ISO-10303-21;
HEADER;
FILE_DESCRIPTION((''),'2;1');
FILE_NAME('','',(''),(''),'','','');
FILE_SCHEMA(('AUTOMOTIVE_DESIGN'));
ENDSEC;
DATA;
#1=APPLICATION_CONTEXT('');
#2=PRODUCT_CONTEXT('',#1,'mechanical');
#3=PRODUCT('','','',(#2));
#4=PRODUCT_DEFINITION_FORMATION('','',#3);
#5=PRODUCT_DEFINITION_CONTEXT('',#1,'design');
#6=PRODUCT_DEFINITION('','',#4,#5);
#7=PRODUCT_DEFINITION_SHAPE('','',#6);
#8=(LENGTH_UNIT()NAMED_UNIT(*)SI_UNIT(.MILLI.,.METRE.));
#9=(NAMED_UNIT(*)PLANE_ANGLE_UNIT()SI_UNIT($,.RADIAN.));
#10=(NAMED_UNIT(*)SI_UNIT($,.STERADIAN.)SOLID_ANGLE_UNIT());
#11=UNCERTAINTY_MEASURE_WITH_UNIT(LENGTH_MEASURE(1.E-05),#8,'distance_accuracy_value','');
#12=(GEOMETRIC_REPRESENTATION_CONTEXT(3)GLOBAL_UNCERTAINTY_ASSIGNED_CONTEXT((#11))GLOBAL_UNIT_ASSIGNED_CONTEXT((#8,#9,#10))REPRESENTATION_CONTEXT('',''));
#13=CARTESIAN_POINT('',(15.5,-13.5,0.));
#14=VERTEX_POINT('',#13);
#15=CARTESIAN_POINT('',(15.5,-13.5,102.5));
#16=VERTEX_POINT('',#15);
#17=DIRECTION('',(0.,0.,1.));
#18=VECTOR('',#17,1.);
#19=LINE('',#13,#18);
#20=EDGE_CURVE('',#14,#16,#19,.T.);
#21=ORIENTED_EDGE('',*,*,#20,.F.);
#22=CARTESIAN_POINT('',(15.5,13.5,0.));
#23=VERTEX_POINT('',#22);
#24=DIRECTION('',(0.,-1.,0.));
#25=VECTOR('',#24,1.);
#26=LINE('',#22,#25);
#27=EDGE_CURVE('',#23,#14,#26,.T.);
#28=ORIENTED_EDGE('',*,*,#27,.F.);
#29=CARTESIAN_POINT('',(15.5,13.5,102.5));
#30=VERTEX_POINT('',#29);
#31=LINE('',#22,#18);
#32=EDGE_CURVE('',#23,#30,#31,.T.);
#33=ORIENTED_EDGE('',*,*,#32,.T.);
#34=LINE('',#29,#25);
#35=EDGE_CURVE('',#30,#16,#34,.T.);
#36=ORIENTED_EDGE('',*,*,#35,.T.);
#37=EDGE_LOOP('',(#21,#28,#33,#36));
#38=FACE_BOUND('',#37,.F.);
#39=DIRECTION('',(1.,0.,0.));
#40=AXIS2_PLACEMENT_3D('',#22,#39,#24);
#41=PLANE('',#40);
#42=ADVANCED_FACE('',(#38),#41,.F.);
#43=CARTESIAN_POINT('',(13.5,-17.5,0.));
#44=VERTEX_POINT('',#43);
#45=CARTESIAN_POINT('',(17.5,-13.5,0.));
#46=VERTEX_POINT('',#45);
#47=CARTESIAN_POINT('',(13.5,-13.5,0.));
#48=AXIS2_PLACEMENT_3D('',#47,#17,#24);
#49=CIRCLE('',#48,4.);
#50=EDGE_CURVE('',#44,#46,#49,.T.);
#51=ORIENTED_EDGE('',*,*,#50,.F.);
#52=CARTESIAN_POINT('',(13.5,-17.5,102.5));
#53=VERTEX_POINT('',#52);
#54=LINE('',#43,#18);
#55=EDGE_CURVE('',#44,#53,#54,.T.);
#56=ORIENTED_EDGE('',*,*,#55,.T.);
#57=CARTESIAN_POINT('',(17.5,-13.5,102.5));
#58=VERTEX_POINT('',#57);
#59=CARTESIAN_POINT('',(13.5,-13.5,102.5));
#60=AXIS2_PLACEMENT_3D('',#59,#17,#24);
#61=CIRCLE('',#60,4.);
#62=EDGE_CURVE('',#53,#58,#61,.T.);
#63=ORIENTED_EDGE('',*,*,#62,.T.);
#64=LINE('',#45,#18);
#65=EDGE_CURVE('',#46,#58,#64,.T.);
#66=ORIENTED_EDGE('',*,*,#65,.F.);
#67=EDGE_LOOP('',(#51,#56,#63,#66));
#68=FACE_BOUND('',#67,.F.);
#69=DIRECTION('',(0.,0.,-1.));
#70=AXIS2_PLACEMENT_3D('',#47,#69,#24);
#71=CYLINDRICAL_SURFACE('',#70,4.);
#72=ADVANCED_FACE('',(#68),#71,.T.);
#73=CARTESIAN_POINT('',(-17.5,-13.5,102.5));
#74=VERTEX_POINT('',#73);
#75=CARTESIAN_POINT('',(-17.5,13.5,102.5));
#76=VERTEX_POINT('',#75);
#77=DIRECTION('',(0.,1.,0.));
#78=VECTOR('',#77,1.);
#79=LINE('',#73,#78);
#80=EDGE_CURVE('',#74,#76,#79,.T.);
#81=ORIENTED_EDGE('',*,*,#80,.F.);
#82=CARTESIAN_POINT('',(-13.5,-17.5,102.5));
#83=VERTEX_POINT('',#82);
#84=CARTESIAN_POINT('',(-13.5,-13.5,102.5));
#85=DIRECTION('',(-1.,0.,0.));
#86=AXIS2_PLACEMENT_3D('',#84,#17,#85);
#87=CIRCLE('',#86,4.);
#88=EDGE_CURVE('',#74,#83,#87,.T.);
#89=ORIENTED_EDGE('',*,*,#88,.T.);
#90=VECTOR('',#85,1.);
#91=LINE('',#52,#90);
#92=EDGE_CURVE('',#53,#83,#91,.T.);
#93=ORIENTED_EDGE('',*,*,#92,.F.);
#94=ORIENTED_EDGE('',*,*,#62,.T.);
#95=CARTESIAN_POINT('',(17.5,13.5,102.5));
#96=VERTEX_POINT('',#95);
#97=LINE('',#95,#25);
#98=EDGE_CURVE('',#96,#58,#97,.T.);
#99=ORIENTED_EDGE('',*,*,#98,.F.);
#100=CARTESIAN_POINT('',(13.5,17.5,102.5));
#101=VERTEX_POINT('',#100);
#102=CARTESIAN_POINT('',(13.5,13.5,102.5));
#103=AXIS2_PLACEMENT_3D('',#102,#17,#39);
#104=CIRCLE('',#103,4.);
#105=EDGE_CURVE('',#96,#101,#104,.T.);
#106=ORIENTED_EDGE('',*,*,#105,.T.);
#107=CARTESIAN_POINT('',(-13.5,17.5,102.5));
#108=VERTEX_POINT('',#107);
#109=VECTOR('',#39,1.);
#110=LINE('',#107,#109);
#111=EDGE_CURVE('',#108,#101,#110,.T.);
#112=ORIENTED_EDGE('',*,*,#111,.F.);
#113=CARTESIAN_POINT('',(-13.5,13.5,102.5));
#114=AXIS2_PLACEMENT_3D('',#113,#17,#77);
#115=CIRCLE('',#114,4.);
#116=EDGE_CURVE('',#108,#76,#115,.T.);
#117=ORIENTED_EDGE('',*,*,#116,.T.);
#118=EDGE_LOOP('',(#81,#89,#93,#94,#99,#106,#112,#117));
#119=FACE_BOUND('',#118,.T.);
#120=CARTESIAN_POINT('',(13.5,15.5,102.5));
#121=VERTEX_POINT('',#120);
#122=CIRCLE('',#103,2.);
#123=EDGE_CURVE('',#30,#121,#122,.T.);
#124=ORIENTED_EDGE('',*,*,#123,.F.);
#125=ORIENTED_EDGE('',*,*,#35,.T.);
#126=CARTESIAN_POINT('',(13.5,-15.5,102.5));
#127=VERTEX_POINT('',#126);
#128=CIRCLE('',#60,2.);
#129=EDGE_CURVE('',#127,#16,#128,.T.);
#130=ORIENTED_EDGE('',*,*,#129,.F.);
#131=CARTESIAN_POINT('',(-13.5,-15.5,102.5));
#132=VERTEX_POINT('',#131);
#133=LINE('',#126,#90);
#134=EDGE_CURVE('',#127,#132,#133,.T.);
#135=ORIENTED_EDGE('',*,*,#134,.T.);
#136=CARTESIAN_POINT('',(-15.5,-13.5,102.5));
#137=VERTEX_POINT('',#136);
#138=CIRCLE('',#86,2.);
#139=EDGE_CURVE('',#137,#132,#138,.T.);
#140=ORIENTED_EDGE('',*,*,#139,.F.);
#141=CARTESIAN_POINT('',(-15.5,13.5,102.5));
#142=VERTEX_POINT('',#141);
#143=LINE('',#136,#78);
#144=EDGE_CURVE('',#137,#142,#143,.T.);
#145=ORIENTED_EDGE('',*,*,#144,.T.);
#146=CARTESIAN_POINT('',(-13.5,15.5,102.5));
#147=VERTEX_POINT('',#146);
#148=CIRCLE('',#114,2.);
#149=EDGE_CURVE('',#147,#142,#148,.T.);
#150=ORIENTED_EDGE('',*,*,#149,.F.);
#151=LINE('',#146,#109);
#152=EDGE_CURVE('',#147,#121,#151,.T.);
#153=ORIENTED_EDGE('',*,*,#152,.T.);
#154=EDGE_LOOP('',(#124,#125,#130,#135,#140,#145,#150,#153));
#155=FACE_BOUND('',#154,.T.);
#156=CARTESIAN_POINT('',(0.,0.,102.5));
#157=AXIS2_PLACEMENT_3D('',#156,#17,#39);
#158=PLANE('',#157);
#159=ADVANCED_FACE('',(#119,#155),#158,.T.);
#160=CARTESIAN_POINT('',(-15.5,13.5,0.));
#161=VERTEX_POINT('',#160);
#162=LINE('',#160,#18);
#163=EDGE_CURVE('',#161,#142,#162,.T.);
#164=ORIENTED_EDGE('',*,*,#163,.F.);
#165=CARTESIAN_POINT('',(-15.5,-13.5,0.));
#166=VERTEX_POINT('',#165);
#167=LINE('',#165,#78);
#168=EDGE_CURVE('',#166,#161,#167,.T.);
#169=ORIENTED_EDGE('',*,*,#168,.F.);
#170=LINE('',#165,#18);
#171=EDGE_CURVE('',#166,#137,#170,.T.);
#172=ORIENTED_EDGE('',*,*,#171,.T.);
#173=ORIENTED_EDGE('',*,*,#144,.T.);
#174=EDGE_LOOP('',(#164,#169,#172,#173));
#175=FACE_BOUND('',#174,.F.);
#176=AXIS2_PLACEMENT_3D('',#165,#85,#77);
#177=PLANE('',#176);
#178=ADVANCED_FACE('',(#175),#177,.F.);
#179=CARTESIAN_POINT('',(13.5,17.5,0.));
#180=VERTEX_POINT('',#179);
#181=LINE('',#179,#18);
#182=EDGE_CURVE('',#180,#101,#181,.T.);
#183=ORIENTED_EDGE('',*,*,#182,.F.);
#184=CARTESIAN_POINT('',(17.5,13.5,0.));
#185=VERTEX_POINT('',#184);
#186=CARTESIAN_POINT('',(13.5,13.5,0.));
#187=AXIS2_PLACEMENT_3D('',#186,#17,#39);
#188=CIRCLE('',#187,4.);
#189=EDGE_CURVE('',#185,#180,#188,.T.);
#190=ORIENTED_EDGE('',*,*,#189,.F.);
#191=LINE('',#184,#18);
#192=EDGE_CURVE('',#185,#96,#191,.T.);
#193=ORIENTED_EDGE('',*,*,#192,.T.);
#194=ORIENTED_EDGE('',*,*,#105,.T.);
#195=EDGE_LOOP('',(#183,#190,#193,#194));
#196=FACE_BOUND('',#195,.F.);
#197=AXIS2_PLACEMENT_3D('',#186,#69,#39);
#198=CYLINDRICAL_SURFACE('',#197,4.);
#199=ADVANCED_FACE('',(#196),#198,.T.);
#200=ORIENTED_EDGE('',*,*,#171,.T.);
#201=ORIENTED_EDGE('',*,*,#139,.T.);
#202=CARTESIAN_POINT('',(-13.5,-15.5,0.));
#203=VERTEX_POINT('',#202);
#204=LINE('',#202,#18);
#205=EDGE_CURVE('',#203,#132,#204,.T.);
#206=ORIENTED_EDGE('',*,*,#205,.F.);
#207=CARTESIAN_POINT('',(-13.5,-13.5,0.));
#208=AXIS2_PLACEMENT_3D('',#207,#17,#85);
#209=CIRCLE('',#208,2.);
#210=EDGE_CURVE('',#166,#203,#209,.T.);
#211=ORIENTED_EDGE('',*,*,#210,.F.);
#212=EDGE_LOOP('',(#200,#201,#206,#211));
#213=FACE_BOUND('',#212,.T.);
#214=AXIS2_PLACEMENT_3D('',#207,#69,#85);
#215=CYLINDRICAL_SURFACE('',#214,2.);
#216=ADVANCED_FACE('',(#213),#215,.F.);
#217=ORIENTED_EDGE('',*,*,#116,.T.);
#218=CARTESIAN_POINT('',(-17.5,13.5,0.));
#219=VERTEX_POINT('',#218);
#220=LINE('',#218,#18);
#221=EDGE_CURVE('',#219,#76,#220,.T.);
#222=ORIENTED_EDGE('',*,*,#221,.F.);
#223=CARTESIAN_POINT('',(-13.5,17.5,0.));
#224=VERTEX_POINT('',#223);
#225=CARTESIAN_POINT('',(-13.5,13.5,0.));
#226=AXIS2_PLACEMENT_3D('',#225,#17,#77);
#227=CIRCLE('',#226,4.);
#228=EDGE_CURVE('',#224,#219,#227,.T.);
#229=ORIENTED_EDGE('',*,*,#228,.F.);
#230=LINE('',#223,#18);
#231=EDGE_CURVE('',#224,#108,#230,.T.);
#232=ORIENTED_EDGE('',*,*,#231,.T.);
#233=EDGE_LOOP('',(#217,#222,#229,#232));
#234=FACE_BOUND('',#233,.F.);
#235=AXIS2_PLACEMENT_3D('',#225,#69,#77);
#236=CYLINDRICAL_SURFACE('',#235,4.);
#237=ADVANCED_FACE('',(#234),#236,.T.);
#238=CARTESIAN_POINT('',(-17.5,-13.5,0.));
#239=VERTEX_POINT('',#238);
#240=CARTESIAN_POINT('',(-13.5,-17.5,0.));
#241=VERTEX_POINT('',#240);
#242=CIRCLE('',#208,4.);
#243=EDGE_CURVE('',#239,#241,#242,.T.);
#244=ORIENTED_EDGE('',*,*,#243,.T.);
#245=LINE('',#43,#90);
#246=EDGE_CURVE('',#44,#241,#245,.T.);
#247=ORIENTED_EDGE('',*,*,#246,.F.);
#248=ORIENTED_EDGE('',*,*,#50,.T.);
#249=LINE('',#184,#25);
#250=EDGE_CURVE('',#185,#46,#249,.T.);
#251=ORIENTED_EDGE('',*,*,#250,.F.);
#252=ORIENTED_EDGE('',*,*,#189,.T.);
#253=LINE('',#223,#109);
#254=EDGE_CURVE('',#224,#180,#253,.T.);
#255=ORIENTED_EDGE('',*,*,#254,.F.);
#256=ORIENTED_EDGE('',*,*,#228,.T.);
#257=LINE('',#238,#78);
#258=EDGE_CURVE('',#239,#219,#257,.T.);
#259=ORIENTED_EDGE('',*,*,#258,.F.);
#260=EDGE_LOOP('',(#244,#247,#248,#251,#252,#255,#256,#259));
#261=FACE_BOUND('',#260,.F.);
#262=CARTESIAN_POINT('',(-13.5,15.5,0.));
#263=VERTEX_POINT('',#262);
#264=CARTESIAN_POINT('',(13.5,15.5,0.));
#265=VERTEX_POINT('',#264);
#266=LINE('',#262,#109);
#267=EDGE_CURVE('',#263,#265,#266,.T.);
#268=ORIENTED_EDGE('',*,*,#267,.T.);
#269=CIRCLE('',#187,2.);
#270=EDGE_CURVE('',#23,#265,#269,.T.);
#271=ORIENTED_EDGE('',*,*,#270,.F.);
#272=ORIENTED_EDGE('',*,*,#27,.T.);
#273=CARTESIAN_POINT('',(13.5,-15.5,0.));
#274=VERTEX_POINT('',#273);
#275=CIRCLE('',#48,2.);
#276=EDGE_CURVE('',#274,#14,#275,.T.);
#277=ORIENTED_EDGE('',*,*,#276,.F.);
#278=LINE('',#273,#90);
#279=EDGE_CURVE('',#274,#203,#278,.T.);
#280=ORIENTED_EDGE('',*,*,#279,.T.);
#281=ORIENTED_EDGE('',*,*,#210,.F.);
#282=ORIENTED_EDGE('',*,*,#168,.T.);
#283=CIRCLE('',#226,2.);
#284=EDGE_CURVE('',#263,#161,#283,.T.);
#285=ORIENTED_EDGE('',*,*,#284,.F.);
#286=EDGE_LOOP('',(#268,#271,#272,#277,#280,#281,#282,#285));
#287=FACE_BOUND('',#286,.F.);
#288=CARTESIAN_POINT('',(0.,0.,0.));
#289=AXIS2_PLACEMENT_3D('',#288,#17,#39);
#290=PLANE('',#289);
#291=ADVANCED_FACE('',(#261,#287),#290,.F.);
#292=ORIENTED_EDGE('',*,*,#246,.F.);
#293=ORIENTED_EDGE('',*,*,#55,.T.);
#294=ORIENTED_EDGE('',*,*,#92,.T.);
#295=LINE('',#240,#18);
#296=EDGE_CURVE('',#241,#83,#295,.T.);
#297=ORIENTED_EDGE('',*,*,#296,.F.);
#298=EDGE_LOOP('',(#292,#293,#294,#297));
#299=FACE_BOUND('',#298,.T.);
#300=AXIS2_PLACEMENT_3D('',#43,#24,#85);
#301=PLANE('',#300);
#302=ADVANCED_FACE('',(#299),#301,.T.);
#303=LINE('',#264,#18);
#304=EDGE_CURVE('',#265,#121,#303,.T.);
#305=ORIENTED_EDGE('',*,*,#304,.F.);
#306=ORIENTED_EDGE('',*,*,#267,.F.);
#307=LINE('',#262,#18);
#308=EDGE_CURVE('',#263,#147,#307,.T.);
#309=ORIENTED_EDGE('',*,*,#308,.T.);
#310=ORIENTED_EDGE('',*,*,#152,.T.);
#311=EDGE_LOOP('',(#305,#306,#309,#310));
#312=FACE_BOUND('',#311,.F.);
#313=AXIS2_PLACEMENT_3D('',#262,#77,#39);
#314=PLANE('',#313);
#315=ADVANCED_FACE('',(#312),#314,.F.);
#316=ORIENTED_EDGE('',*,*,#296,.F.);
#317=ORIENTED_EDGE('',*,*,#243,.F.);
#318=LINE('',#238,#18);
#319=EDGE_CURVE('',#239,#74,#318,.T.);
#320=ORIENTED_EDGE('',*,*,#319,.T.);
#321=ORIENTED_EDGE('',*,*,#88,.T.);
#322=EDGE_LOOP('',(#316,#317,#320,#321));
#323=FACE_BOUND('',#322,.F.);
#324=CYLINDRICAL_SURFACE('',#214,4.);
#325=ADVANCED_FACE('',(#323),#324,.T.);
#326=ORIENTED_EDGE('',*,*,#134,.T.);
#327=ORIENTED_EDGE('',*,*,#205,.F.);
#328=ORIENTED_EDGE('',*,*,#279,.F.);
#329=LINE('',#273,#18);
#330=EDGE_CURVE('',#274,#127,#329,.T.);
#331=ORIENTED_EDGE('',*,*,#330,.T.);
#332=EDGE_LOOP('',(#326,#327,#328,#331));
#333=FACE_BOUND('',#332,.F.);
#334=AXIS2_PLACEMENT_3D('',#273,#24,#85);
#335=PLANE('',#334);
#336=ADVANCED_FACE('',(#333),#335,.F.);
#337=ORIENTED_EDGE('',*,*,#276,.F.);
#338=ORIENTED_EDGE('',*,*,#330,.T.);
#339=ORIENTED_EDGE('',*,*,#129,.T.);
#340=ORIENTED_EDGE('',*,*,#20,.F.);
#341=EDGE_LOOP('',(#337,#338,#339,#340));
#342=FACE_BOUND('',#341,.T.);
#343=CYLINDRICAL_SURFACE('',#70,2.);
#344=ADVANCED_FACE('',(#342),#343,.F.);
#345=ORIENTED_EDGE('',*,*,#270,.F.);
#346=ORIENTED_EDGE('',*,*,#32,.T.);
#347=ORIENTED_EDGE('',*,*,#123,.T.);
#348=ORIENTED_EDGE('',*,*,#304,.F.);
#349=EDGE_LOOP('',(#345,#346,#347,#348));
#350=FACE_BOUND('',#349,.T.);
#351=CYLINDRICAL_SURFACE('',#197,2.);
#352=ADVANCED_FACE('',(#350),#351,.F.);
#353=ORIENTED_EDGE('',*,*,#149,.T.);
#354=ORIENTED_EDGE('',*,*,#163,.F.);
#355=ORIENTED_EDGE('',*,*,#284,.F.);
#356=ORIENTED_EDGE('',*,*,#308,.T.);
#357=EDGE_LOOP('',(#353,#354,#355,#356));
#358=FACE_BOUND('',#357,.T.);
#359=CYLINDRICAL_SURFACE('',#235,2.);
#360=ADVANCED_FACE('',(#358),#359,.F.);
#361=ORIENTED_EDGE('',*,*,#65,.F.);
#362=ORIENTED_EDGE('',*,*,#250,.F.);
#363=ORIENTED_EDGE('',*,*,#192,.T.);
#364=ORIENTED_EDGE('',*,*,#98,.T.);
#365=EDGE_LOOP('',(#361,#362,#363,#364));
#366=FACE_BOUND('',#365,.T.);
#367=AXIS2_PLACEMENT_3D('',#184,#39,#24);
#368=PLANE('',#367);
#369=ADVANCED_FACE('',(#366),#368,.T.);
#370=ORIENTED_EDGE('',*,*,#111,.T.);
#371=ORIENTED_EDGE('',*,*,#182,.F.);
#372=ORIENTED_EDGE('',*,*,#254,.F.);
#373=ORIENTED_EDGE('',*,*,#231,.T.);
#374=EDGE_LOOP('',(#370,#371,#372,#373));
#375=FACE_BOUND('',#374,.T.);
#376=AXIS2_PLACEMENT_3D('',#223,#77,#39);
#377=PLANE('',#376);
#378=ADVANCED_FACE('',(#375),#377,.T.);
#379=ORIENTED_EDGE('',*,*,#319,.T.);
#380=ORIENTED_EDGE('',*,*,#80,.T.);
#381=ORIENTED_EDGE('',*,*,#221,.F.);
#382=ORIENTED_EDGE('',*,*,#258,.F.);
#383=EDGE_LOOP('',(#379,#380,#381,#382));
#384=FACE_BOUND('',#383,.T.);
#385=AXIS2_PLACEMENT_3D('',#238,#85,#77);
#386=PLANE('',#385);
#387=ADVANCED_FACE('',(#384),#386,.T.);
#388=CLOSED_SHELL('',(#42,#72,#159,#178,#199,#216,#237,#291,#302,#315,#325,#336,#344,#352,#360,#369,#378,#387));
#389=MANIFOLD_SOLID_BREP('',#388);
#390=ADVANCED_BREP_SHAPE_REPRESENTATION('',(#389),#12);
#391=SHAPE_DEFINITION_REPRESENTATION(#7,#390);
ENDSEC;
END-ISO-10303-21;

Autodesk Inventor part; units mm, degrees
ref_plane "Start plane" through (0, 0, 0) normal (0, 0, 1) x (1, 0, 0)
ref_plane "End plane" through (0, 0, 102.5) normal (0, 0, 1) x (1, 0, 0)
sketch "Sketch" plane through (0, 0, 0) normal (0, 0, 1) x (1, 0, 0)
  line L0 (-17.5, -13.5) -> (-17.5, 13.5)
  line L1 (-13.5, 17.5) -> (13.5, 17.5)
  line L2 (17.5, 13.5) -> (17.5, -13.5)
  line L3 (13.5, -17.5) -> (-13.5, -17.5)
  arc A0 (-17.5, -13.5) -> (-13.5, -17.5) centre (-13.5, -13.5) ccw
  arc A1 (-13.5, 17.5) -> (-17.5, 13.5) centre (-13.5, 13.5) ccw
  arc A2 (17.5, 13.5) -> (13.5, 17.5) centre (13.5, 13.5) ccw
  arc A3 (13.5, -17.5) -> (17.5, -13.5) centre (13.5, -13.5) ccw
  arc A4 (-13.5, 15.5) -> (-15.5, 13.5) centre (-13.5, 13.5) ccw
  line L4 (-13.5, 15.5) -> (13.5, 15.5)
  arc A5 (15.5, 13.5) -> (13.5, 15.5) centre (13.5, 13.5) ccw
  line L5 (15.5, 13.5) -> (15.5, -13.5)
  arc A6 (13.5, -15.5) -> (15.5, -13.5) centre (13.5, -13.5) ccw
  line L6 (13.5, -15.5) -> (-13.5, -15.5)
  arc A7 (-15.5, -13.5) -> (-13.5, -15.5) centre (-13.5, -13.5) ccw
  line L7 (-15.5, -13.5) -> (-15.5, 13.5)
  line L8 (0, 25.6598) -> (0, -25.6598) construction
  line L9 (-25.6598, 0) -> (25.6598, 0) construction
  dimension "d7" = 4
  dimension "d10" = 35
  dimension "d11" = 35
  dimension "d12" = 2
  dimension "d15" = 17.5
  dimension "d16" = 17.5
extrude "Body" add sketch "Sketch" along normal up to surface (102.5 mm away) from surface at 0
sketch "Sketch3" plane through (0, 0, 0) normal (0, 0, 1) x (1, 0, 0)
  line L0 (0, 0) -> (10, 0)
ref_plane "Work Plane3" through (0, 0, 0) normal (0, -1, 0) x (1, 0, 0)
sketch "Sketch4" plane through (0, 0, 0) normal (0, -1, 0) x (1, 0, 0)
  line L0 (-2, 0) -> (12, 0)
  line L1 (-2, 102.5) -> (12, 102.5)
  dimension "d18" = 102.5
ref_plane "Work Plane6" through (5, -17.5, 102.5) normal (0, 0, 1) x (1, 0, 0)
split "Split3" plane through (5, -17.5, 102.5) removes the side toward (0, 0, 1)
equation "\"d7\" = G_IR"
equation "\"d10\" = G_H"
equation "\"d11\" = G_W"
equation "\"d12\" = G_T"
equation "\"d15\" = 0.5 * d10"
equation "\"d16\" = 0.5 * d11"
equation "\"d3\" = G_L"
equation "\"G_W\" = 35"
equation "\"G_H\" = 35"
equation "\"G_T\" = 2"
equation "\"G_IR\" = 4"
equation "\"G_L\" = d18"
equation "\"G_OFFSET_START\" = 0"
equation "\"G_OFFSET_END\" = -17.5"
equation "\"d14\" = G_OFFSET_END + B_L"
equation "\"B_L\" = 120"
properties part number "AS 1163 - C350L0 35x35x2.0 SHS - 102.5" material "Steel, Mild"
